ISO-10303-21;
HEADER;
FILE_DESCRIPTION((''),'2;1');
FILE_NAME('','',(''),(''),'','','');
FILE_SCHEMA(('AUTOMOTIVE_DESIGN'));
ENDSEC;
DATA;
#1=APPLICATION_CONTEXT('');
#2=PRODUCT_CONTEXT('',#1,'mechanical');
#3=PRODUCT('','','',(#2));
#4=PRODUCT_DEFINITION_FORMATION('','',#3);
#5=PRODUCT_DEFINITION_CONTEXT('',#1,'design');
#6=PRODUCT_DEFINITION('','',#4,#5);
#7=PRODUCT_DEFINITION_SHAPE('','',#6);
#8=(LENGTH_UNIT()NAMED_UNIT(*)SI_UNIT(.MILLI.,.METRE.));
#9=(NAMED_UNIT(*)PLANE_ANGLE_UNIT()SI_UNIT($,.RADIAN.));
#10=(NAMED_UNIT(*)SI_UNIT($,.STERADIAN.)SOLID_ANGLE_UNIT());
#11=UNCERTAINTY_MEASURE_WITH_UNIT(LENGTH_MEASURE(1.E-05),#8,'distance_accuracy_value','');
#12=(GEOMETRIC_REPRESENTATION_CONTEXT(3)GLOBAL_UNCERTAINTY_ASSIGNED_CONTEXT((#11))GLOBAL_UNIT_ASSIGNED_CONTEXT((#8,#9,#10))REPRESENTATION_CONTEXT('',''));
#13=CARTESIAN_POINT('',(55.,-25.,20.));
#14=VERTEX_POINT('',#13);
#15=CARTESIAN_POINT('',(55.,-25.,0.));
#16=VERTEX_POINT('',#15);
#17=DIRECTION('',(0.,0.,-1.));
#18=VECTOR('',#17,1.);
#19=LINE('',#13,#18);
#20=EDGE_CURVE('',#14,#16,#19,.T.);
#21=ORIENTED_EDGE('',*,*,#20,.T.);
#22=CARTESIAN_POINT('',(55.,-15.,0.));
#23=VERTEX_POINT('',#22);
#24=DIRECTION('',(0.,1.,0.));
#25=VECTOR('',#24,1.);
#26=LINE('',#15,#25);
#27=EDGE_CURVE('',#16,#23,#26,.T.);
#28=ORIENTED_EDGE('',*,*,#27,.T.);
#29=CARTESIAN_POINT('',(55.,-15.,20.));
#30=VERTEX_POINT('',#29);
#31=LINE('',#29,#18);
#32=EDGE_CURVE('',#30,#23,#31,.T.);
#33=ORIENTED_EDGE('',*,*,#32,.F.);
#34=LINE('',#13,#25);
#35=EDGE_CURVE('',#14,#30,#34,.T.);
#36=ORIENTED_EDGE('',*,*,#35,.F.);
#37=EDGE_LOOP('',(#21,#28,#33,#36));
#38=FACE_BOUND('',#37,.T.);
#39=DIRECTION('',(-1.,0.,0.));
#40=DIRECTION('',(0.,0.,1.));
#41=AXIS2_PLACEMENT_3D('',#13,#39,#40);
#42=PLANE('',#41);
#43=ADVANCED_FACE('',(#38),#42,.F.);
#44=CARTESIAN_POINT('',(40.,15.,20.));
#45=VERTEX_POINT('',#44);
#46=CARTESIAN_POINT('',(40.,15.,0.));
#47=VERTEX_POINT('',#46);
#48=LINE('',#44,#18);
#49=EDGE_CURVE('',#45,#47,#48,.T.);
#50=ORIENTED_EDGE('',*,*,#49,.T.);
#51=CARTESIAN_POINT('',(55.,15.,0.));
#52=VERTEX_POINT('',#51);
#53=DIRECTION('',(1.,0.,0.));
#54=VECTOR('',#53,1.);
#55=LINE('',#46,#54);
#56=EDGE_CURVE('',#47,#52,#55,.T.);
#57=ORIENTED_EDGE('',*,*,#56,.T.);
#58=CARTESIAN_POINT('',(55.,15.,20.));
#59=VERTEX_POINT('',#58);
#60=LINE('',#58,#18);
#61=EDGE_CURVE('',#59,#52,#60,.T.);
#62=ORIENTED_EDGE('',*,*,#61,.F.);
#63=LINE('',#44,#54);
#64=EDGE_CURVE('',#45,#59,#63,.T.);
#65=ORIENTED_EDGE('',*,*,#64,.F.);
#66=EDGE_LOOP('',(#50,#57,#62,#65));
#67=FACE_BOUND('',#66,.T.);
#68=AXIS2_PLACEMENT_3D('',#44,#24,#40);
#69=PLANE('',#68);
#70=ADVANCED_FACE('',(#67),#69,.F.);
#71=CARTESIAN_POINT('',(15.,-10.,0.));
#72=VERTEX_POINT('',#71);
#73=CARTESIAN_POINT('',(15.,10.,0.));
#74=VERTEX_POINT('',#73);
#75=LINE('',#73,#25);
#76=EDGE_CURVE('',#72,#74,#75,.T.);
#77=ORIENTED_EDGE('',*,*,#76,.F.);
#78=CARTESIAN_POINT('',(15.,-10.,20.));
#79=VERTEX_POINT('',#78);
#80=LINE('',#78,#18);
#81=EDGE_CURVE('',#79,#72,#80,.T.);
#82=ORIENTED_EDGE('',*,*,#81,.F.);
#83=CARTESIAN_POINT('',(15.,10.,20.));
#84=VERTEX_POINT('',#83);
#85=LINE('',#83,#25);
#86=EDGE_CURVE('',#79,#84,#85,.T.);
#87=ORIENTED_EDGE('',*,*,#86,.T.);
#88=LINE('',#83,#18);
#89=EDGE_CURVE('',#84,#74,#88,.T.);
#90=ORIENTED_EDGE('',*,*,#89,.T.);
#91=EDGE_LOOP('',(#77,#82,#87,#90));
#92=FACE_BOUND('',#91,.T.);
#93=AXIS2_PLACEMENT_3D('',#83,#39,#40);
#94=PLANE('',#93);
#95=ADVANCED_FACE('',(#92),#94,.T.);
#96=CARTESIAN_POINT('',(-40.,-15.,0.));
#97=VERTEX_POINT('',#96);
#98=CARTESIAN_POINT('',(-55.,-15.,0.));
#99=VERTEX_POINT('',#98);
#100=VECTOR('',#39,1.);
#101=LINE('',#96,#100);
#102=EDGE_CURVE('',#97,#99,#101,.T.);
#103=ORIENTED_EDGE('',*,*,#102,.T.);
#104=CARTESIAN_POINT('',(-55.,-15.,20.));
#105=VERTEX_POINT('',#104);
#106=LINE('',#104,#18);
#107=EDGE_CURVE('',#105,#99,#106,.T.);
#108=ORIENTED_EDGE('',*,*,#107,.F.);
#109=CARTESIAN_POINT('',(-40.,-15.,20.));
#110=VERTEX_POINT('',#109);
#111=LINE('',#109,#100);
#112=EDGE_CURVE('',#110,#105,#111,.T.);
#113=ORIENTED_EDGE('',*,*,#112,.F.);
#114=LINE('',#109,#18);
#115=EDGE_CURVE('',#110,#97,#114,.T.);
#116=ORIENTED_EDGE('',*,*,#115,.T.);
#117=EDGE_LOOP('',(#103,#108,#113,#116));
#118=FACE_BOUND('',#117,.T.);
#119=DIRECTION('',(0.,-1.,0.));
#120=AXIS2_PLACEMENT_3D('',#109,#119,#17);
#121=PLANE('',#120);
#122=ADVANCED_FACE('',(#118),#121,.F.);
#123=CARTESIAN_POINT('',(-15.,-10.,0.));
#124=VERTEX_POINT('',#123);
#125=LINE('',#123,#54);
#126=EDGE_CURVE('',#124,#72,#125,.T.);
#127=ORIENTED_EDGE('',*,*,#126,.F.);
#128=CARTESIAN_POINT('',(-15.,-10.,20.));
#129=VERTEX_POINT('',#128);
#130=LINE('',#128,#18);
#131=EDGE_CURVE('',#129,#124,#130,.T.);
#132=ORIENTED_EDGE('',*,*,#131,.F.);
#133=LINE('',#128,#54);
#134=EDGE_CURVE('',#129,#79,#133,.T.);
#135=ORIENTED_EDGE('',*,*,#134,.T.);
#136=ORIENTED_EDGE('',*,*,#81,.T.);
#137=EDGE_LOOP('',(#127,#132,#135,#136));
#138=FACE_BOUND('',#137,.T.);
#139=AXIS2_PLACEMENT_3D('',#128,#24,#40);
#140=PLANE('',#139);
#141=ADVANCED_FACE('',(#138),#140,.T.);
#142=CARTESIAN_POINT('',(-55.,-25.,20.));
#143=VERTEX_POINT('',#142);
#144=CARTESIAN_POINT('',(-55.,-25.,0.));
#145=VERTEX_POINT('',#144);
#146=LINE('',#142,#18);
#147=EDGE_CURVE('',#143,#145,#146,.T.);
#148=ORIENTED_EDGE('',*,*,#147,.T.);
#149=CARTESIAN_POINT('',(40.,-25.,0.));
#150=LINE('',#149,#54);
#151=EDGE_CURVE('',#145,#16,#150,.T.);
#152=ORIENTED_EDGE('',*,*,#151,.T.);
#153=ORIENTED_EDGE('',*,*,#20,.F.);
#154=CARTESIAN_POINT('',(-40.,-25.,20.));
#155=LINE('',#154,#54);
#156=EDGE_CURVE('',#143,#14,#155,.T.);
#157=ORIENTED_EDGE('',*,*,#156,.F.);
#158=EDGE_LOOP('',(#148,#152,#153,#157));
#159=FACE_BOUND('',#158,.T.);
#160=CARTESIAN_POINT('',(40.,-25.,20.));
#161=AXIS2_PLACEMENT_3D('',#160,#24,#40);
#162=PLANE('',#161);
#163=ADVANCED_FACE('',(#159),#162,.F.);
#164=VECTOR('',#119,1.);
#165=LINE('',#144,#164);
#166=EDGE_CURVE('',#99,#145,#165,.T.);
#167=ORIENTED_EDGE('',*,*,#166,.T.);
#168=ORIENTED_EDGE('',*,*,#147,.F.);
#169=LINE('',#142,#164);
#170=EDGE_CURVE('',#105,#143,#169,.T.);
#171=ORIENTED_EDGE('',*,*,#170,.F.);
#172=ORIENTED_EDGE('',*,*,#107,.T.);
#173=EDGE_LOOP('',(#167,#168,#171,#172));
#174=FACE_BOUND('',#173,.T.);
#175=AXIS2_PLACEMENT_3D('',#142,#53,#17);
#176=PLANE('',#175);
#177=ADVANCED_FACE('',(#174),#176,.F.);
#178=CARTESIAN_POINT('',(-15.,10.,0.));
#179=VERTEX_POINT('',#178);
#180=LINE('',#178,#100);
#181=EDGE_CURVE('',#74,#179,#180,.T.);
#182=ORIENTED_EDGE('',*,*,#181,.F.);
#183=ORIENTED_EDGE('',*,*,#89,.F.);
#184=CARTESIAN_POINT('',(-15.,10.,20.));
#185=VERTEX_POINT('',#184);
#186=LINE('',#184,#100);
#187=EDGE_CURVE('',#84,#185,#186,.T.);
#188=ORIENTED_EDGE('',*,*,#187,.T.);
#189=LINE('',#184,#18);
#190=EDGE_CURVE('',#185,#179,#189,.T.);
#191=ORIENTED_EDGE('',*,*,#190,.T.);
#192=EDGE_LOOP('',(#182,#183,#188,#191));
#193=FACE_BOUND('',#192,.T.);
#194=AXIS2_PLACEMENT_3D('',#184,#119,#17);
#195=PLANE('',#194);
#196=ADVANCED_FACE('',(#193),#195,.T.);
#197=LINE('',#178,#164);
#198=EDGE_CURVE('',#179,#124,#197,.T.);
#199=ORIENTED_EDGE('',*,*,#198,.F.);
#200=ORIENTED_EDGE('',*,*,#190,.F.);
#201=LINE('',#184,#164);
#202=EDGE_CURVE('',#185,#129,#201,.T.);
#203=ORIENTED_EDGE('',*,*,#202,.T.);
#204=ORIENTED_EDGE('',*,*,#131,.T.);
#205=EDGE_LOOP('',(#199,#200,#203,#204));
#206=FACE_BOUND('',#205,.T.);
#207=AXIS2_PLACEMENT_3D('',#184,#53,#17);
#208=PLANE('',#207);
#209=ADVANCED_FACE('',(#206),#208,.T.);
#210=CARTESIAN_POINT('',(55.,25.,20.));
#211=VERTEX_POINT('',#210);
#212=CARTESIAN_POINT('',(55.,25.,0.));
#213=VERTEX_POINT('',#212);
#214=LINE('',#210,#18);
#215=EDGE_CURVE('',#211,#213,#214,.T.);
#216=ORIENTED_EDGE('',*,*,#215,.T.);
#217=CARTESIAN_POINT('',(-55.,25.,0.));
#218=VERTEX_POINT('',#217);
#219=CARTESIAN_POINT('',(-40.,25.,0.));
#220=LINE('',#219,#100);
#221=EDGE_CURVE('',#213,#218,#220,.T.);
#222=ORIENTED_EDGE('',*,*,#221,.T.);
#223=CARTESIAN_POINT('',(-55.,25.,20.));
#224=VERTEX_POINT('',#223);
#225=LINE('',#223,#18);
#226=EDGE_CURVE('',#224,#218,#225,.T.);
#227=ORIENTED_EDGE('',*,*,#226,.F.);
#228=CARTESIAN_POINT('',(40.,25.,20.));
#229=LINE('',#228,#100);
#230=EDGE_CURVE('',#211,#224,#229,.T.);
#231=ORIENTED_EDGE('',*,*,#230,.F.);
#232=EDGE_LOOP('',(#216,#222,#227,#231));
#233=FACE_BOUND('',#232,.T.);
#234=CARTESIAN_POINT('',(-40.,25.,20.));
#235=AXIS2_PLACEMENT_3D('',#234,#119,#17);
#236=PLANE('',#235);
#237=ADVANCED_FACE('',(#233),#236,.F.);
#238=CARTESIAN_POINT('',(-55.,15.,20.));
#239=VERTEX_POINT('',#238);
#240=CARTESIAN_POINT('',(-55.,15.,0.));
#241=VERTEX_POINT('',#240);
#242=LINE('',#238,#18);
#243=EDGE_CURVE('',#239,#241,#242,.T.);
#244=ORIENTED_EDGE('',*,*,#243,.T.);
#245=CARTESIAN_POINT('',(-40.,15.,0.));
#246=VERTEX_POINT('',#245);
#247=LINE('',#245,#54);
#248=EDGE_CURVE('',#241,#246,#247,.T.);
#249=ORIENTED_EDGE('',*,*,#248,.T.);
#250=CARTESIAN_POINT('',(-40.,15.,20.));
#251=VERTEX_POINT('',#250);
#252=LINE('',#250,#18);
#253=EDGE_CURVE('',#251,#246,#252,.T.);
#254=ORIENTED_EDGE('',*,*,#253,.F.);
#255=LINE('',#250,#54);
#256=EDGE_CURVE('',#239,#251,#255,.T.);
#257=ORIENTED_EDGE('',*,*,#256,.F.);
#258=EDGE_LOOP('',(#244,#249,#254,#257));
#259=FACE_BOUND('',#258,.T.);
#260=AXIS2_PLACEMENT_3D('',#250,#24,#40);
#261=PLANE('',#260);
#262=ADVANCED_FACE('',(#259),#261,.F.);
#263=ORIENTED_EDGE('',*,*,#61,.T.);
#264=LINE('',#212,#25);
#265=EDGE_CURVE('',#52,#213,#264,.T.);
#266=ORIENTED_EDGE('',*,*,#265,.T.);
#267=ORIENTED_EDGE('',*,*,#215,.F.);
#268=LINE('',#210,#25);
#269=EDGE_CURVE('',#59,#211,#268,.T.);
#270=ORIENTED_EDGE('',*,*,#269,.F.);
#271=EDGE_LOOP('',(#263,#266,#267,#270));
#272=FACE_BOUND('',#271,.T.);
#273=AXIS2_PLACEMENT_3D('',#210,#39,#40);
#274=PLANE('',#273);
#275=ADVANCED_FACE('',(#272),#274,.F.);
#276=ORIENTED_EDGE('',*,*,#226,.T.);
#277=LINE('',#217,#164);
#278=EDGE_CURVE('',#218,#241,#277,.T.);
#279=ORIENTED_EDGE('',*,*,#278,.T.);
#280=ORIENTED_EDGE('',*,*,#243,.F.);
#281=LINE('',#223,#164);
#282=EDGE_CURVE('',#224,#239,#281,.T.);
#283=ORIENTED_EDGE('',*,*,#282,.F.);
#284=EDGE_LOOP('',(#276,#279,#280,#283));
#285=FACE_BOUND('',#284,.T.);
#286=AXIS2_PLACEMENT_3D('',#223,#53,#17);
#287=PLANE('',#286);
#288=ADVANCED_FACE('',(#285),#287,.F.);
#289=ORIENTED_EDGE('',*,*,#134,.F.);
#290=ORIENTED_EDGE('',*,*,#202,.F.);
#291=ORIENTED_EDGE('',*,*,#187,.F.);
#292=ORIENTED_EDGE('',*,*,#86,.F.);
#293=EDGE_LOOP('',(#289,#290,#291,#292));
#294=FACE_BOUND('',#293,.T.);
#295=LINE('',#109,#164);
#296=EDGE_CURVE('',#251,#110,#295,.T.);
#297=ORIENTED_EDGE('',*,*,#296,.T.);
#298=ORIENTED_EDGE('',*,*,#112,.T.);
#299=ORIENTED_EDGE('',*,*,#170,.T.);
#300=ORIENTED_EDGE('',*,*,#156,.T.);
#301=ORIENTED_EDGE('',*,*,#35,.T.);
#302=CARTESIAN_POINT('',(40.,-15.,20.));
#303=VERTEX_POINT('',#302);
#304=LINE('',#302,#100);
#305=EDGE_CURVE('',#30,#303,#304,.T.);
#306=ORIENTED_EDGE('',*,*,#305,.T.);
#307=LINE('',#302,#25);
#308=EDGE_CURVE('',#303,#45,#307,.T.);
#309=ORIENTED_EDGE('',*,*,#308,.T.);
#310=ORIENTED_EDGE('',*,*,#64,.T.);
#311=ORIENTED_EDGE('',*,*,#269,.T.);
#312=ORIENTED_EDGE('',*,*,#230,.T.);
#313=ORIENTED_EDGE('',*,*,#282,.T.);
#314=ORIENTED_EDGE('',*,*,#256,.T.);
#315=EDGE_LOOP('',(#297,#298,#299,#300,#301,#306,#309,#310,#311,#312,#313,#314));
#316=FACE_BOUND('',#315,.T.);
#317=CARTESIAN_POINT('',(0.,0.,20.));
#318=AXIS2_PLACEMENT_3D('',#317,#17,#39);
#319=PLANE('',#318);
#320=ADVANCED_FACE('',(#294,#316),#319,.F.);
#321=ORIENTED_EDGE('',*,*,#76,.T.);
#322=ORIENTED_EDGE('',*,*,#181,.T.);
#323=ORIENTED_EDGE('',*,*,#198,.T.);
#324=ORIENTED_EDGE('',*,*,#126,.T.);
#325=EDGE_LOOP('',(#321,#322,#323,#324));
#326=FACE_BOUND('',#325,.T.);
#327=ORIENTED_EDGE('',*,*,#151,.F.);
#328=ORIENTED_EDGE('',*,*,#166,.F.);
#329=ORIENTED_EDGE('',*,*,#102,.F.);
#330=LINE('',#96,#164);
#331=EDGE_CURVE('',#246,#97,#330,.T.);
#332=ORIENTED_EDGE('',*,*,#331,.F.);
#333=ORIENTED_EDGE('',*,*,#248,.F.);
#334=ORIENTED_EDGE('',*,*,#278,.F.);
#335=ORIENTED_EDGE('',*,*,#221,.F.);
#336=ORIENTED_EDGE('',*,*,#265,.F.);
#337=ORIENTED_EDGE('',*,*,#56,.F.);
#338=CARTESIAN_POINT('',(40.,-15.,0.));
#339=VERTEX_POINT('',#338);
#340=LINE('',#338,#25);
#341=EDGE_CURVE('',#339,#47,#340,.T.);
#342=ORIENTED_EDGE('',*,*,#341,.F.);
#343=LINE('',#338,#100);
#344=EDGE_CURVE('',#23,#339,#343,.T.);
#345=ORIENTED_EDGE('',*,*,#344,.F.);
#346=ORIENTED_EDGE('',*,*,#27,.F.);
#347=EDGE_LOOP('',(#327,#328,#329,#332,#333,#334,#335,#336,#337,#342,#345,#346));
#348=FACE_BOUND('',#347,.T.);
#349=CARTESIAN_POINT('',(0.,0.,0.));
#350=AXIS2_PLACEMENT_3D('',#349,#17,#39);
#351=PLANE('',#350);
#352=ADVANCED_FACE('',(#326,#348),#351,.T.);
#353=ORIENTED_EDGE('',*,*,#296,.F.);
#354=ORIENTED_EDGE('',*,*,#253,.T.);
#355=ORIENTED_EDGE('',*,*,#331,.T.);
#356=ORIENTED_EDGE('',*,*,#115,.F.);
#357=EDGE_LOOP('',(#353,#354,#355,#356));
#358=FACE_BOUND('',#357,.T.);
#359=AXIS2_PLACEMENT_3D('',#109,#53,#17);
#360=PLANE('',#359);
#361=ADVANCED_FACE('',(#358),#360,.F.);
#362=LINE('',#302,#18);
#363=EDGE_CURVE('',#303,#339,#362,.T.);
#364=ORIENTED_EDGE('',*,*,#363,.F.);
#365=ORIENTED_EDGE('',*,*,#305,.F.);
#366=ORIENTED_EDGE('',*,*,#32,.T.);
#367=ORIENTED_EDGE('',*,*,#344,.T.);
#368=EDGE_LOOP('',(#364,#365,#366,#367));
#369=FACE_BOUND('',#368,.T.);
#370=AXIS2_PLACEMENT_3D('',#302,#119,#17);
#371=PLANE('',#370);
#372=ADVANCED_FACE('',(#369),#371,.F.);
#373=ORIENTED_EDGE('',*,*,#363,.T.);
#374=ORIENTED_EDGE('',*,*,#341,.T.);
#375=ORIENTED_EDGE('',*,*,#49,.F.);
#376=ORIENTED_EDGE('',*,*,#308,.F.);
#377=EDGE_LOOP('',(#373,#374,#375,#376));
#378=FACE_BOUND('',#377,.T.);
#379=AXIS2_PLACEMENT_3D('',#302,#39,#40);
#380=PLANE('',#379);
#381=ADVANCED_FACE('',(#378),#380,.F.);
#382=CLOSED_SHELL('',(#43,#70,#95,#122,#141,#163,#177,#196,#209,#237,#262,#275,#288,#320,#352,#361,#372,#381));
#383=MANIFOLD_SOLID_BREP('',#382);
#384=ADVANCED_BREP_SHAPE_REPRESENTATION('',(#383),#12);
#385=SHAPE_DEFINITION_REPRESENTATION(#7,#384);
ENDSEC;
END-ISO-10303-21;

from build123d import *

# Parameters (mm, degrees)
SKETCH1_W           = 30
SKETCH1_H           = 20
BOSS_EXTRUDE1_DEPTH = 20


with BuildPart() as part:
    # Sketch1 → Boss-Extrude1 (new body)
    with BuildSketch(Plane.XY):
        Polygon((-40, -25), (40, -25), (55, -25), (55, -15), (40, -15), (40, 15), (55, 15), (55, 25), (40, 25), (-40, 25), (-55, 25), (-55, 15), (-40, 15), (-40, -15), (-55, -15), (-55, -25), align=None)
        Rectangle(SKETCH1_W, SKETCH1_H, mode=Mode.SUBTRACT)
    extrude(amount=BOSS_EXTRUDE1_DEPTH)


solid = part.part
